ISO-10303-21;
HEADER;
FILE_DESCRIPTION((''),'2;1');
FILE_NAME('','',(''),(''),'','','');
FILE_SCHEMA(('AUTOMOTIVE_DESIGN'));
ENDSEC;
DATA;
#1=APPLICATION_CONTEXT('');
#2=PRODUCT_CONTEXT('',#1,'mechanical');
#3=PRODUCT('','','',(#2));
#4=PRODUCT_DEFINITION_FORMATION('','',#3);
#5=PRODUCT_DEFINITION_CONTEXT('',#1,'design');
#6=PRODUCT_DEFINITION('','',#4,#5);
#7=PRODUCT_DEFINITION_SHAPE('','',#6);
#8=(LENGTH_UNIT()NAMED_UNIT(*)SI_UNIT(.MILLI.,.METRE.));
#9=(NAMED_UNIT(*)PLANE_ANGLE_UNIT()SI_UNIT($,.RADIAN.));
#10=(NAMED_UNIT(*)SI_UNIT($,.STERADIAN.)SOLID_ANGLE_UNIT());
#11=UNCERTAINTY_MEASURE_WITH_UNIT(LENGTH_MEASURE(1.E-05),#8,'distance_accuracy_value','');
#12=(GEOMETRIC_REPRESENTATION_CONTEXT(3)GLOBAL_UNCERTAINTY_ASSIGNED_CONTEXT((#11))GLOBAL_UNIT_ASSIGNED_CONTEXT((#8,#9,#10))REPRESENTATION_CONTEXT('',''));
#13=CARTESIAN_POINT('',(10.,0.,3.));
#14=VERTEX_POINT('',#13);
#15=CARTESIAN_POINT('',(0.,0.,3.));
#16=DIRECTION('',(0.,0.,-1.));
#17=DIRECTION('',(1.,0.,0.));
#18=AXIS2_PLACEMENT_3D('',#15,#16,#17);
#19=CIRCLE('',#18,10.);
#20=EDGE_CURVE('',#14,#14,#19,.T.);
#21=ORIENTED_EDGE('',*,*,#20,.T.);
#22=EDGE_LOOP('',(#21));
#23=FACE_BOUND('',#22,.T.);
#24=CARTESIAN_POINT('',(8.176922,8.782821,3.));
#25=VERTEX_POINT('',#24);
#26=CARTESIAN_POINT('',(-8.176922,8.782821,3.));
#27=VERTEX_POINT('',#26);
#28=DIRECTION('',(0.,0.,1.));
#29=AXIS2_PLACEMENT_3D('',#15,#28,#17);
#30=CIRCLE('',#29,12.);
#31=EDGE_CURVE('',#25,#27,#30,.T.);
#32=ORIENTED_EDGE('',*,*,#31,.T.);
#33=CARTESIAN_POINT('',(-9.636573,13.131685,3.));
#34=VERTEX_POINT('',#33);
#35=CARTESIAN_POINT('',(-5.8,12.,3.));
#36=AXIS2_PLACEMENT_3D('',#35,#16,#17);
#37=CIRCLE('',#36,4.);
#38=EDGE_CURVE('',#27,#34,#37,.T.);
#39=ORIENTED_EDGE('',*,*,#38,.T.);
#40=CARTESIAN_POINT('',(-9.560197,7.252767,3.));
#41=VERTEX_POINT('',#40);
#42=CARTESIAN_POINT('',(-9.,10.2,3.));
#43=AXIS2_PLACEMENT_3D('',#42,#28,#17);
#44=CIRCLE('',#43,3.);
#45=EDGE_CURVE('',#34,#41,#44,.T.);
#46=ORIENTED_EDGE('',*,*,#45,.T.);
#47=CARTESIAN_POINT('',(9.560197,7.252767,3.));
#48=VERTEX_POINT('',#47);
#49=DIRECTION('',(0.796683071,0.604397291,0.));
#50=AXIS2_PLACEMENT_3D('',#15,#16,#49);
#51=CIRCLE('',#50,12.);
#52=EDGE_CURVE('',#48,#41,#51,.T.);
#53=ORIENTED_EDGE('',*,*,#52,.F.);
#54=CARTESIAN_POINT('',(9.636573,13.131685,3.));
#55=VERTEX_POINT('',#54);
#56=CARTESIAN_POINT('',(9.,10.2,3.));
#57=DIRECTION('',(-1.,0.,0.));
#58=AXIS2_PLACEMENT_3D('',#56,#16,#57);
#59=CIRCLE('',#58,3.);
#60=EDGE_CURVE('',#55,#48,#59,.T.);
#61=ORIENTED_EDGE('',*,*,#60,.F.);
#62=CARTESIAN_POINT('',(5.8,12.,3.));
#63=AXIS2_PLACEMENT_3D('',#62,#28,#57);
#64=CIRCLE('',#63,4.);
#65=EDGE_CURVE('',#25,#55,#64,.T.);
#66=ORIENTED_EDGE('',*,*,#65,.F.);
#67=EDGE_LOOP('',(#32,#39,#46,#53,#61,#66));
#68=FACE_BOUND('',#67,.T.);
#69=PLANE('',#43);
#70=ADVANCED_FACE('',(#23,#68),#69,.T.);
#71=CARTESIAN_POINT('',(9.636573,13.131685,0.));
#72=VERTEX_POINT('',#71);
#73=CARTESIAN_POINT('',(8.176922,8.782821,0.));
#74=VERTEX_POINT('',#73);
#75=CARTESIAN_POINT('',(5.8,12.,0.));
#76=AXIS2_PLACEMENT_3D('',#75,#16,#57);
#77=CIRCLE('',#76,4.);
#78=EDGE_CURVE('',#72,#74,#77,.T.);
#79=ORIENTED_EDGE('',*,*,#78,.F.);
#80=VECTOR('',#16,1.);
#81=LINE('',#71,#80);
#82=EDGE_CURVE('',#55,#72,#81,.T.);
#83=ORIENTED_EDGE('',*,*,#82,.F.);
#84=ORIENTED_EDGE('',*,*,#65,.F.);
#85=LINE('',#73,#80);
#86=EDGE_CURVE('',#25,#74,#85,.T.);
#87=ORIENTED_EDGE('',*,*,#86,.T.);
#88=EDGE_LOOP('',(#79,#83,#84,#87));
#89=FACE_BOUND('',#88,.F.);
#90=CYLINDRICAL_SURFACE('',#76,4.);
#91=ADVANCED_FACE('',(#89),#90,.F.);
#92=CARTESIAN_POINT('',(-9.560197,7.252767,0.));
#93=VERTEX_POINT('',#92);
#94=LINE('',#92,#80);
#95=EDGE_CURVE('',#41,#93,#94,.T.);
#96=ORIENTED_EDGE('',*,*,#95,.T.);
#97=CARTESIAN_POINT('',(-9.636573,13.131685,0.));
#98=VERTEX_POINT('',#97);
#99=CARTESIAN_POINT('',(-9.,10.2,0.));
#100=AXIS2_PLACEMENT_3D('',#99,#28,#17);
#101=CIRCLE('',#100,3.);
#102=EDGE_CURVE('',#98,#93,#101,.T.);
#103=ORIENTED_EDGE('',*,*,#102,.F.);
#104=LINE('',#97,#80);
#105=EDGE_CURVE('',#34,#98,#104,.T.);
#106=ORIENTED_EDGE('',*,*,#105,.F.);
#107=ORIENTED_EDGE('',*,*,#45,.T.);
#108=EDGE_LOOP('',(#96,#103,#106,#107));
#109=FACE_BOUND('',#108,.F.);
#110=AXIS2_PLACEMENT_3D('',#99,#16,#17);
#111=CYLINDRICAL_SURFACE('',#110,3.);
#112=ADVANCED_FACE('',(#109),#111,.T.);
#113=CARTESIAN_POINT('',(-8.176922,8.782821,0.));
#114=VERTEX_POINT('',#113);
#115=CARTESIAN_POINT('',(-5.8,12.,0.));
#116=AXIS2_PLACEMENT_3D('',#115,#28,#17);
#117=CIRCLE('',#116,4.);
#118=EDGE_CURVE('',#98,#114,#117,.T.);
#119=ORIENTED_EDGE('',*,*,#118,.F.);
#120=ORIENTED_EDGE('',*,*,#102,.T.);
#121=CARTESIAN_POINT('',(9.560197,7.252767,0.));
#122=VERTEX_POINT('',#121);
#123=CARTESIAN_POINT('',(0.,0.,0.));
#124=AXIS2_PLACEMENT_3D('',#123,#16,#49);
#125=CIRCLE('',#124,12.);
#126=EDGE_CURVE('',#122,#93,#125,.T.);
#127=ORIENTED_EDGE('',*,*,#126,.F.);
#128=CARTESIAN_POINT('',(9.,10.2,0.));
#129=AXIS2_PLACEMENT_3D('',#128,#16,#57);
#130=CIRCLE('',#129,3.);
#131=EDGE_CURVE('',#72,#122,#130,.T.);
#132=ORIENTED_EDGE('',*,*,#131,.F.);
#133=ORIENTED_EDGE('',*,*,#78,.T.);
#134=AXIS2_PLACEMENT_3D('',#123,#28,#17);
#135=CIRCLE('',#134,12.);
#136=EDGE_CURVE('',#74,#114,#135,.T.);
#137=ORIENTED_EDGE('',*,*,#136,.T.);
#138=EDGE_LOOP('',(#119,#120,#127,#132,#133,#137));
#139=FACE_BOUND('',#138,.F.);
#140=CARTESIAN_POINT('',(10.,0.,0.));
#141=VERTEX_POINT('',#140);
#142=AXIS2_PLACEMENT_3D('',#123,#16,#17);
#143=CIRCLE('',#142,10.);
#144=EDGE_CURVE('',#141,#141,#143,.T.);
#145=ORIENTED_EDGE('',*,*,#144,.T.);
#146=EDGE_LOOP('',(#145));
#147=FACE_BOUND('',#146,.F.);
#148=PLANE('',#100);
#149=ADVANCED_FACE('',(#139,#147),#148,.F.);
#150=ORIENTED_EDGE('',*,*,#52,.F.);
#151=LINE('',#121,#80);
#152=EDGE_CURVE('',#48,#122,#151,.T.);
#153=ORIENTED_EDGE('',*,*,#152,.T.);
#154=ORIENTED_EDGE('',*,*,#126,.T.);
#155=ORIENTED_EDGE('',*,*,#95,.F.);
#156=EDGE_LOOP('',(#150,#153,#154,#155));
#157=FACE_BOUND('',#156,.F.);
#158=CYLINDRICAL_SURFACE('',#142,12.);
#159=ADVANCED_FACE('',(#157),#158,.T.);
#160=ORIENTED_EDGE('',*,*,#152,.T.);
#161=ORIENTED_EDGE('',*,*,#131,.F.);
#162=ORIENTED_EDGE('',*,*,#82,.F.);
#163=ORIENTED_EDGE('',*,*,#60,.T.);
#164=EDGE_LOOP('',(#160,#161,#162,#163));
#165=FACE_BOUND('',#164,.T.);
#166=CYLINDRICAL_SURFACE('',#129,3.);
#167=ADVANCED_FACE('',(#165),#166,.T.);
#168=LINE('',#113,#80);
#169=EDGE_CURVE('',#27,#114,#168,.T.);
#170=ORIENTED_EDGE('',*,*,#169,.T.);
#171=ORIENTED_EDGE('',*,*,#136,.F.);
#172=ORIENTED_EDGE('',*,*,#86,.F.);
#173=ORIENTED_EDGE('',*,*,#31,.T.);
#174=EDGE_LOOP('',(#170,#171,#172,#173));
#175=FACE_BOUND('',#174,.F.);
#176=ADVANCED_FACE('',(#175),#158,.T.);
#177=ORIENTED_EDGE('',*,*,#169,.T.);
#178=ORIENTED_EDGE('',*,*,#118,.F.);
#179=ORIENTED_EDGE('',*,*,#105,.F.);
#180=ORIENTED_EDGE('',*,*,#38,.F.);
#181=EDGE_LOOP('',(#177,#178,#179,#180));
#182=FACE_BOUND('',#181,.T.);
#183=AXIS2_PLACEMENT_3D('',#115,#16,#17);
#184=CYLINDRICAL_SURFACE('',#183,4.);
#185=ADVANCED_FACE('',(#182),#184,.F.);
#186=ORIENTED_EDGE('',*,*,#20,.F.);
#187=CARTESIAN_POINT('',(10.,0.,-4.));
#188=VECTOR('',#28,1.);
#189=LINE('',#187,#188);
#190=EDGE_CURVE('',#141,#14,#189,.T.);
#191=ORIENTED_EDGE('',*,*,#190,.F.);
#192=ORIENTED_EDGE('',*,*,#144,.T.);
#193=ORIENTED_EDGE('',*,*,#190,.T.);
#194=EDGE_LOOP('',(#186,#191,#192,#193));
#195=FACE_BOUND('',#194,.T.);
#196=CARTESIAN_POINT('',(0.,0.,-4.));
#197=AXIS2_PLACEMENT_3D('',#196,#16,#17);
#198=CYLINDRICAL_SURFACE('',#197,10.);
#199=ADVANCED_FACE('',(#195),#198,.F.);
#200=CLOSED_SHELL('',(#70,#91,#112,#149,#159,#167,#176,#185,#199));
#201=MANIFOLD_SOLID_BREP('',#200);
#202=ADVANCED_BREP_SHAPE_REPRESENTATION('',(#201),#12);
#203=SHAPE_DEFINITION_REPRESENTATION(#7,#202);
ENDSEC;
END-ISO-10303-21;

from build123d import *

# Parameters (mm, degrees)
CYLINDER003_R     = 4
CYLINDER003_DEPTH = 10
CYLINDER002_R     = 3
CYLINDER002_DEPTH = 3
CYLINDER001_R     = 10
CYLINDER001_DEPTH = 10
CYLINDER_R        = 12
CYLINDER_DEPTH    = 3


with BuildPart() as cilindro003:
    # Cylinder003 → Cylinder003 (new body)
    with BuildSketch(Plane(origin=(3.2, 1.8, 0), x_dir=(1, 0, 0), z_dir=(0, 0, 1))):
        Circle(CYLINDER003_R)
    extrude(amount=CYLINDER003_DEPTH)


with BuildPart() as cut001:
    # Cylinder002 → Cylinder002 (new body)
    with BuildSketch(Plane.XY):
        Circle(CYLINDER002_R)
    extrude(amount=CYLINDER002_DEPTH)

    # Cut001: cut Cilindro003
    add(cilindro003.part, mode=Mode.SUBTRACT)


with BuildPart() as cut001_1:
    # Cut001 placement: moved
    add(cut001.part.moved(Location((-9, 10.2, 0))))


with BuildPart() as fusion:
    # Part__Mirroring: instance of Cut001
    add(cut001_1.part.mirror(Plane(origin=(0, 0, 0), x_dir=(0, -1, 0), z_dir=(1, 0, 0))))

    # Fusion: union Cut001
    add(cut001_1.part)


with BuildPart() as cilindro001:
    # Cylinder001 → Cylinder001 (new body)
    with BuildSketch(Plane.XY.offset(-4)):
        Circle(CYLINDER001_R)
    extrude(amount=CYLINDER001_DEPTH)


with BuildPart() as fusion001:
    # Cylinder → Cylinder (new body)
    with BuildSketch(Plane.XY):
        Circle(CYLINDER_R)
    extrude(amount=CYLINDER_DEPTH)

    # Cut: cut Cilindro001
    add(cilindro001.part, mode=Mode.SUBTRACT)

    # Fusion001: union Fusion
    add(fusion.part)


solid = fusion001.part
